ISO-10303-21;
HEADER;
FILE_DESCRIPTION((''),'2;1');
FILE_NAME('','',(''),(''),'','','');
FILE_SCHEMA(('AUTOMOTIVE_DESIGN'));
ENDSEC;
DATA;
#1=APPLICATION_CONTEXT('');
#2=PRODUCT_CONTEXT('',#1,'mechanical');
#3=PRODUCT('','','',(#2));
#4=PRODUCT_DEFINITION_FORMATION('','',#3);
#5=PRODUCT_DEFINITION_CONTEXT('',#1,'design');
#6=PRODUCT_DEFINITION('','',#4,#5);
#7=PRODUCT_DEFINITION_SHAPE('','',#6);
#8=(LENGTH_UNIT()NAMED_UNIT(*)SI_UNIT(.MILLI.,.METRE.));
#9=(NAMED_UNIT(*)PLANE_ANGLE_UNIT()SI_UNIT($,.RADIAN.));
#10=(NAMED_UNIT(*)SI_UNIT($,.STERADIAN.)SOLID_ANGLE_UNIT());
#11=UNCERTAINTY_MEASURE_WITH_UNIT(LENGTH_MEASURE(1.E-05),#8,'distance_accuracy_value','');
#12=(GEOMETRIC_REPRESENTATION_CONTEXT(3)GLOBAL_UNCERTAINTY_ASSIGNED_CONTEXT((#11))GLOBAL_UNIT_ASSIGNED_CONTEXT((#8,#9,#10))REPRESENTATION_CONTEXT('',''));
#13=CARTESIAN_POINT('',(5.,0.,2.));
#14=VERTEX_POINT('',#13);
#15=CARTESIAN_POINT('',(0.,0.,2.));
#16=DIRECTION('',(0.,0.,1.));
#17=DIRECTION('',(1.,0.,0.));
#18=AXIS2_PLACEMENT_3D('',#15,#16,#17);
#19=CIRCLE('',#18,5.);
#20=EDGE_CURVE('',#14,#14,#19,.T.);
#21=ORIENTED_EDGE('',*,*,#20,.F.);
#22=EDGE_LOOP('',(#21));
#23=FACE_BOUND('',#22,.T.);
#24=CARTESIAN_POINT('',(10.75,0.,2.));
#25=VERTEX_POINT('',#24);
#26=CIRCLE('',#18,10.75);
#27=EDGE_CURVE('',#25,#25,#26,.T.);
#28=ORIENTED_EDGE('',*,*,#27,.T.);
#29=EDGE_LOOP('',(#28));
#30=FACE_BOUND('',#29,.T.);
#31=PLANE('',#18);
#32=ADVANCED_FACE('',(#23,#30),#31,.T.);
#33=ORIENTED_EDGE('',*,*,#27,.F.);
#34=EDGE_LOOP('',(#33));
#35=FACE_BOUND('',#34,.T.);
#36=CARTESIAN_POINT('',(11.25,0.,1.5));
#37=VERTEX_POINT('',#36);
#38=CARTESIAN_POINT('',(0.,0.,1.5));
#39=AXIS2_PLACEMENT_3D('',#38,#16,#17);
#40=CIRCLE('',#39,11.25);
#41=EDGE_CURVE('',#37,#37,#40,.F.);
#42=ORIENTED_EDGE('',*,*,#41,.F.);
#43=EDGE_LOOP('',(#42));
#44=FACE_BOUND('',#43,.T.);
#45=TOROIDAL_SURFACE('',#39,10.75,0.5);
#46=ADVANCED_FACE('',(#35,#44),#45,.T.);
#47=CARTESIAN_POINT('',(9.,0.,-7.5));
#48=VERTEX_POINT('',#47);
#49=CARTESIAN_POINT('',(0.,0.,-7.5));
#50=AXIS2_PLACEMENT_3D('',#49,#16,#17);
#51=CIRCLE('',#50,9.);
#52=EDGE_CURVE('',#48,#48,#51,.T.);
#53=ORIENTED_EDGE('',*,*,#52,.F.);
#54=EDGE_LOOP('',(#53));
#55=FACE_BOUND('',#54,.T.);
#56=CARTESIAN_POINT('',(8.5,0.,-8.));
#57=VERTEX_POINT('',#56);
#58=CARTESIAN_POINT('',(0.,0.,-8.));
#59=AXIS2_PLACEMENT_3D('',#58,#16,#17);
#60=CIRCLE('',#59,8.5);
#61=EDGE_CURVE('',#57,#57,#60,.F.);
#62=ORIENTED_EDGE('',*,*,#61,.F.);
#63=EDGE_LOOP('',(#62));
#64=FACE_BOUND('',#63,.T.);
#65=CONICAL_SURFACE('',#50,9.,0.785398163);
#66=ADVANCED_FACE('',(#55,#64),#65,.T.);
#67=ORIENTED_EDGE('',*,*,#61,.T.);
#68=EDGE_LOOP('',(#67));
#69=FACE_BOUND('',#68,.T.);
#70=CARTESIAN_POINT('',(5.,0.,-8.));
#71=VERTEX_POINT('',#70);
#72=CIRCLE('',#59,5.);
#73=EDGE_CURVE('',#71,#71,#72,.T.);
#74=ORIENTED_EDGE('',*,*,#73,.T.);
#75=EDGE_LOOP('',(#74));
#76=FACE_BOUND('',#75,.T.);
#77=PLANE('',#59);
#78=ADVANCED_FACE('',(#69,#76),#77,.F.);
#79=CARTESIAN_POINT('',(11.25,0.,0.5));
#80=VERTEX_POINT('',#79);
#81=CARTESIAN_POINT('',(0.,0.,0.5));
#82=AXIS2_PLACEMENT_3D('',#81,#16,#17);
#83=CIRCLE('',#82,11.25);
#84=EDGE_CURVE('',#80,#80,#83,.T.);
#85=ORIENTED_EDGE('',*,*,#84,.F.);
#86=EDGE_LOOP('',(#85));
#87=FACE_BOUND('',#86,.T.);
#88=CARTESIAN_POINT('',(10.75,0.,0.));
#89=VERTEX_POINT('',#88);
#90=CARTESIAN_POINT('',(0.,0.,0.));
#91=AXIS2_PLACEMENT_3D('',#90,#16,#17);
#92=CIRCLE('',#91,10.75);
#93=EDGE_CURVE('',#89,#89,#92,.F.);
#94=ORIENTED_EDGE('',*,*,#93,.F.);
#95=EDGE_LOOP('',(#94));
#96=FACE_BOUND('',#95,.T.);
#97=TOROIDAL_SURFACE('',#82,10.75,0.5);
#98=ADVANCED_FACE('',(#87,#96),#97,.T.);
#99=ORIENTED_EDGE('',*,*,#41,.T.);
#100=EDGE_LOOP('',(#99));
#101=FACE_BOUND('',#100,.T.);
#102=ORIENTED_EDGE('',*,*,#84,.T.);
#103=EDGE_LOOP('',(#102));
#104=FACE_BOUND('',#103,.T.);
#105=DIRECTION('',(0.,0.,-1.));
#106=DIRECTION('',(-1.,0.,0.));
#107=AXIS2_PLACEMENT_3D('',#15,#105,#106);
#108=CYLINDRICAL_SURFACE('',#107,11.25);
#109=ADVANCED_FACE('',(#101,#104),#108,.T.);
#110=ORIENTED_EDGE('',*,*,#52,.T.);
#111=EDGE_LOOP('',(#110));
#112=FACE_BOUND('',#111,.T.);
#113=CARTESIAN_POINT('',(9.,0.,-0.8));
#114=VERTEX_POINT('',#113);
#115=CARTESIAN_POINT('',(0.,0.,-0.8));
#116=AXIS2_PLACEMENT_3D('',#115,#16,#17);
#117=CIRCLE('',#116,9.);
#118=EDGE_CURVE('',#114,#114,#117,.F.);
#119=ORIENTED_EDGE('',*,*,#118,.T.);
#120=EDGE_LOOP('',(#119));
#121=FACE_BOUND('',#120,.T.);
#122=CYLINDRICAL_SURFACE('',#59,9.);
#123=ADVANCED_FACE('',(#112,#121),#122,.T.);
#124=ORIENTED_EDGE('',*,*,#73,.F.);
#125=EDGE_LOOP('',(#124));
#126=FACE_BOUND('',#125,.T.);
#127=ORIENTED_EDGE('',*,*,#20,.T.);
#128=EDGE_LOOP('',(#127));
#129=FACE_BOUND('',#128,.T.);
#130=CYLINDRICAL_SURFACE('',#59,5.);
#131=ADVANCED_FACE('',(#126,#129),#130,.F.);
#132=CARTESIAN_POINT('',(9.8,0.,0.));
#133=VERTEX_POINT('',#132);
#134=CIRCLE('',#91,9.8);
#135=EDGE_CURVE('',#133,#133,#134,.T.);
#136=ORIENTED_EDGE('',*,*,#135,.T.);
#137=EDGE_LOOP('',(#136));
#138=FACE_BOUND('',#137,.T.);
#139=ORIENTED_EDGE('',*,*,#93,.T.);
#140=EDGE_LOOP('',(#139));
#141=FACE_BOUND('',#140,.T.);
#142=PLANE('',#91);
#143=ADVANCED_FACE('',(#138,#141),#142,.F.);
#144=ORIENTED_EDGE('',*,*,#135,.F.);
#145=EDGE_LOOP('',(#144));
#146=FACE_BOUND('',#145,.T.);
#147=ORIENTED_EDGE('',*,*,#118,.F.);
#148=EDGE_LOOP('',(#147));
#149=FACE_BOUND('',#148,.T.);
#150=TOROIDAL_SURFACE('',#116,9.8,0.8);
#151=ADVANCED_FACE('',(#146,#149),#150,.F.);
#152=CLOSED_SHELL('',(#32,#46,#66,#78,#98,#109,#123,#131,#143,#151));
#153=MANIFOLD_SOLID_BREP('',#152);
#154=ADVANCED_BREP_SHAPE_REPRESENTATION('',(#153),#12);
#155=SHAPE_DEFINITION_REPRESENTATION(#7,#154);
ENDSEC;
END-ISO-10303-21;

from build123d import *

# Parameters (mm, degrees)
SKETCH1_R           = 9
SKETCH1_R_2         = 5
BOSS_EXTRUDE1_DEPTH = 8
BOSS_EXTRUDE2_START = 2
SKETCH2_R           = 11.25
SKETCH2_R_2         = 5
BOSS_EXTRUDE2_DEPTH = 2
FILLET1_R           = 0.5
FILLET2_R           = 0.5
FILLET3_R           = 0.8
CHAMFER1_SIZE       = 0.5


with BuildPart() as part:
    # Sketch1 → Boss-Extrude1 (new body)
    with BuildSketch(Plane.XY):
        Circle(SKETCH1_R)
        Circle(SKETCH1_R_2, mode=Mode.SUBTRACT)
    extrude(amount=-BOSS_EXTRUDE1_DEPTH)

    # Sketch2 → Boss-Extrude2 (add)
    with BuildSketch(Plane.XY.offset(BOSS_EXTRUDE2_START)):
        Circle(SKETCH2_R)
        Circle(SKETCH2_R_2, mode=Mode.SUBTRACT)
    extrude(amount=-BOSS_EXTRUDE2_DEPTH)

    # Fillet1
    fillet1_edges = [part.edges().sort_by_distance(p)[0] for p in [
        (-11.25, 0, 2),
    ]]
    fillet(fillet1_edges, radius=FILLET1_R)

    # Fillet2
    fillet2_edges = [part.edges().sort_by_distance(p)[0] for p in [
        (-11.25, 0, 0),
    ]]
    fillet(fillet2_edges, radius=FILLET2_R)

    # Fillet3
    fillet3_edges = [part.edges().sort_by_distance(p)[0] for p in [
        (-9, 0, 0),
    ]]
    fillet(fillet3_edges, radius=FILLET3_R)

    # Chamfer1
    chamfer1_edges = [part.edges().sort_by_distance(p)[0] for p in [
        (-9, 0, -8),
    ]]
    chamfer(chamfer1_edges, length=CHAMFER1_SIZE)


solid = part.part
